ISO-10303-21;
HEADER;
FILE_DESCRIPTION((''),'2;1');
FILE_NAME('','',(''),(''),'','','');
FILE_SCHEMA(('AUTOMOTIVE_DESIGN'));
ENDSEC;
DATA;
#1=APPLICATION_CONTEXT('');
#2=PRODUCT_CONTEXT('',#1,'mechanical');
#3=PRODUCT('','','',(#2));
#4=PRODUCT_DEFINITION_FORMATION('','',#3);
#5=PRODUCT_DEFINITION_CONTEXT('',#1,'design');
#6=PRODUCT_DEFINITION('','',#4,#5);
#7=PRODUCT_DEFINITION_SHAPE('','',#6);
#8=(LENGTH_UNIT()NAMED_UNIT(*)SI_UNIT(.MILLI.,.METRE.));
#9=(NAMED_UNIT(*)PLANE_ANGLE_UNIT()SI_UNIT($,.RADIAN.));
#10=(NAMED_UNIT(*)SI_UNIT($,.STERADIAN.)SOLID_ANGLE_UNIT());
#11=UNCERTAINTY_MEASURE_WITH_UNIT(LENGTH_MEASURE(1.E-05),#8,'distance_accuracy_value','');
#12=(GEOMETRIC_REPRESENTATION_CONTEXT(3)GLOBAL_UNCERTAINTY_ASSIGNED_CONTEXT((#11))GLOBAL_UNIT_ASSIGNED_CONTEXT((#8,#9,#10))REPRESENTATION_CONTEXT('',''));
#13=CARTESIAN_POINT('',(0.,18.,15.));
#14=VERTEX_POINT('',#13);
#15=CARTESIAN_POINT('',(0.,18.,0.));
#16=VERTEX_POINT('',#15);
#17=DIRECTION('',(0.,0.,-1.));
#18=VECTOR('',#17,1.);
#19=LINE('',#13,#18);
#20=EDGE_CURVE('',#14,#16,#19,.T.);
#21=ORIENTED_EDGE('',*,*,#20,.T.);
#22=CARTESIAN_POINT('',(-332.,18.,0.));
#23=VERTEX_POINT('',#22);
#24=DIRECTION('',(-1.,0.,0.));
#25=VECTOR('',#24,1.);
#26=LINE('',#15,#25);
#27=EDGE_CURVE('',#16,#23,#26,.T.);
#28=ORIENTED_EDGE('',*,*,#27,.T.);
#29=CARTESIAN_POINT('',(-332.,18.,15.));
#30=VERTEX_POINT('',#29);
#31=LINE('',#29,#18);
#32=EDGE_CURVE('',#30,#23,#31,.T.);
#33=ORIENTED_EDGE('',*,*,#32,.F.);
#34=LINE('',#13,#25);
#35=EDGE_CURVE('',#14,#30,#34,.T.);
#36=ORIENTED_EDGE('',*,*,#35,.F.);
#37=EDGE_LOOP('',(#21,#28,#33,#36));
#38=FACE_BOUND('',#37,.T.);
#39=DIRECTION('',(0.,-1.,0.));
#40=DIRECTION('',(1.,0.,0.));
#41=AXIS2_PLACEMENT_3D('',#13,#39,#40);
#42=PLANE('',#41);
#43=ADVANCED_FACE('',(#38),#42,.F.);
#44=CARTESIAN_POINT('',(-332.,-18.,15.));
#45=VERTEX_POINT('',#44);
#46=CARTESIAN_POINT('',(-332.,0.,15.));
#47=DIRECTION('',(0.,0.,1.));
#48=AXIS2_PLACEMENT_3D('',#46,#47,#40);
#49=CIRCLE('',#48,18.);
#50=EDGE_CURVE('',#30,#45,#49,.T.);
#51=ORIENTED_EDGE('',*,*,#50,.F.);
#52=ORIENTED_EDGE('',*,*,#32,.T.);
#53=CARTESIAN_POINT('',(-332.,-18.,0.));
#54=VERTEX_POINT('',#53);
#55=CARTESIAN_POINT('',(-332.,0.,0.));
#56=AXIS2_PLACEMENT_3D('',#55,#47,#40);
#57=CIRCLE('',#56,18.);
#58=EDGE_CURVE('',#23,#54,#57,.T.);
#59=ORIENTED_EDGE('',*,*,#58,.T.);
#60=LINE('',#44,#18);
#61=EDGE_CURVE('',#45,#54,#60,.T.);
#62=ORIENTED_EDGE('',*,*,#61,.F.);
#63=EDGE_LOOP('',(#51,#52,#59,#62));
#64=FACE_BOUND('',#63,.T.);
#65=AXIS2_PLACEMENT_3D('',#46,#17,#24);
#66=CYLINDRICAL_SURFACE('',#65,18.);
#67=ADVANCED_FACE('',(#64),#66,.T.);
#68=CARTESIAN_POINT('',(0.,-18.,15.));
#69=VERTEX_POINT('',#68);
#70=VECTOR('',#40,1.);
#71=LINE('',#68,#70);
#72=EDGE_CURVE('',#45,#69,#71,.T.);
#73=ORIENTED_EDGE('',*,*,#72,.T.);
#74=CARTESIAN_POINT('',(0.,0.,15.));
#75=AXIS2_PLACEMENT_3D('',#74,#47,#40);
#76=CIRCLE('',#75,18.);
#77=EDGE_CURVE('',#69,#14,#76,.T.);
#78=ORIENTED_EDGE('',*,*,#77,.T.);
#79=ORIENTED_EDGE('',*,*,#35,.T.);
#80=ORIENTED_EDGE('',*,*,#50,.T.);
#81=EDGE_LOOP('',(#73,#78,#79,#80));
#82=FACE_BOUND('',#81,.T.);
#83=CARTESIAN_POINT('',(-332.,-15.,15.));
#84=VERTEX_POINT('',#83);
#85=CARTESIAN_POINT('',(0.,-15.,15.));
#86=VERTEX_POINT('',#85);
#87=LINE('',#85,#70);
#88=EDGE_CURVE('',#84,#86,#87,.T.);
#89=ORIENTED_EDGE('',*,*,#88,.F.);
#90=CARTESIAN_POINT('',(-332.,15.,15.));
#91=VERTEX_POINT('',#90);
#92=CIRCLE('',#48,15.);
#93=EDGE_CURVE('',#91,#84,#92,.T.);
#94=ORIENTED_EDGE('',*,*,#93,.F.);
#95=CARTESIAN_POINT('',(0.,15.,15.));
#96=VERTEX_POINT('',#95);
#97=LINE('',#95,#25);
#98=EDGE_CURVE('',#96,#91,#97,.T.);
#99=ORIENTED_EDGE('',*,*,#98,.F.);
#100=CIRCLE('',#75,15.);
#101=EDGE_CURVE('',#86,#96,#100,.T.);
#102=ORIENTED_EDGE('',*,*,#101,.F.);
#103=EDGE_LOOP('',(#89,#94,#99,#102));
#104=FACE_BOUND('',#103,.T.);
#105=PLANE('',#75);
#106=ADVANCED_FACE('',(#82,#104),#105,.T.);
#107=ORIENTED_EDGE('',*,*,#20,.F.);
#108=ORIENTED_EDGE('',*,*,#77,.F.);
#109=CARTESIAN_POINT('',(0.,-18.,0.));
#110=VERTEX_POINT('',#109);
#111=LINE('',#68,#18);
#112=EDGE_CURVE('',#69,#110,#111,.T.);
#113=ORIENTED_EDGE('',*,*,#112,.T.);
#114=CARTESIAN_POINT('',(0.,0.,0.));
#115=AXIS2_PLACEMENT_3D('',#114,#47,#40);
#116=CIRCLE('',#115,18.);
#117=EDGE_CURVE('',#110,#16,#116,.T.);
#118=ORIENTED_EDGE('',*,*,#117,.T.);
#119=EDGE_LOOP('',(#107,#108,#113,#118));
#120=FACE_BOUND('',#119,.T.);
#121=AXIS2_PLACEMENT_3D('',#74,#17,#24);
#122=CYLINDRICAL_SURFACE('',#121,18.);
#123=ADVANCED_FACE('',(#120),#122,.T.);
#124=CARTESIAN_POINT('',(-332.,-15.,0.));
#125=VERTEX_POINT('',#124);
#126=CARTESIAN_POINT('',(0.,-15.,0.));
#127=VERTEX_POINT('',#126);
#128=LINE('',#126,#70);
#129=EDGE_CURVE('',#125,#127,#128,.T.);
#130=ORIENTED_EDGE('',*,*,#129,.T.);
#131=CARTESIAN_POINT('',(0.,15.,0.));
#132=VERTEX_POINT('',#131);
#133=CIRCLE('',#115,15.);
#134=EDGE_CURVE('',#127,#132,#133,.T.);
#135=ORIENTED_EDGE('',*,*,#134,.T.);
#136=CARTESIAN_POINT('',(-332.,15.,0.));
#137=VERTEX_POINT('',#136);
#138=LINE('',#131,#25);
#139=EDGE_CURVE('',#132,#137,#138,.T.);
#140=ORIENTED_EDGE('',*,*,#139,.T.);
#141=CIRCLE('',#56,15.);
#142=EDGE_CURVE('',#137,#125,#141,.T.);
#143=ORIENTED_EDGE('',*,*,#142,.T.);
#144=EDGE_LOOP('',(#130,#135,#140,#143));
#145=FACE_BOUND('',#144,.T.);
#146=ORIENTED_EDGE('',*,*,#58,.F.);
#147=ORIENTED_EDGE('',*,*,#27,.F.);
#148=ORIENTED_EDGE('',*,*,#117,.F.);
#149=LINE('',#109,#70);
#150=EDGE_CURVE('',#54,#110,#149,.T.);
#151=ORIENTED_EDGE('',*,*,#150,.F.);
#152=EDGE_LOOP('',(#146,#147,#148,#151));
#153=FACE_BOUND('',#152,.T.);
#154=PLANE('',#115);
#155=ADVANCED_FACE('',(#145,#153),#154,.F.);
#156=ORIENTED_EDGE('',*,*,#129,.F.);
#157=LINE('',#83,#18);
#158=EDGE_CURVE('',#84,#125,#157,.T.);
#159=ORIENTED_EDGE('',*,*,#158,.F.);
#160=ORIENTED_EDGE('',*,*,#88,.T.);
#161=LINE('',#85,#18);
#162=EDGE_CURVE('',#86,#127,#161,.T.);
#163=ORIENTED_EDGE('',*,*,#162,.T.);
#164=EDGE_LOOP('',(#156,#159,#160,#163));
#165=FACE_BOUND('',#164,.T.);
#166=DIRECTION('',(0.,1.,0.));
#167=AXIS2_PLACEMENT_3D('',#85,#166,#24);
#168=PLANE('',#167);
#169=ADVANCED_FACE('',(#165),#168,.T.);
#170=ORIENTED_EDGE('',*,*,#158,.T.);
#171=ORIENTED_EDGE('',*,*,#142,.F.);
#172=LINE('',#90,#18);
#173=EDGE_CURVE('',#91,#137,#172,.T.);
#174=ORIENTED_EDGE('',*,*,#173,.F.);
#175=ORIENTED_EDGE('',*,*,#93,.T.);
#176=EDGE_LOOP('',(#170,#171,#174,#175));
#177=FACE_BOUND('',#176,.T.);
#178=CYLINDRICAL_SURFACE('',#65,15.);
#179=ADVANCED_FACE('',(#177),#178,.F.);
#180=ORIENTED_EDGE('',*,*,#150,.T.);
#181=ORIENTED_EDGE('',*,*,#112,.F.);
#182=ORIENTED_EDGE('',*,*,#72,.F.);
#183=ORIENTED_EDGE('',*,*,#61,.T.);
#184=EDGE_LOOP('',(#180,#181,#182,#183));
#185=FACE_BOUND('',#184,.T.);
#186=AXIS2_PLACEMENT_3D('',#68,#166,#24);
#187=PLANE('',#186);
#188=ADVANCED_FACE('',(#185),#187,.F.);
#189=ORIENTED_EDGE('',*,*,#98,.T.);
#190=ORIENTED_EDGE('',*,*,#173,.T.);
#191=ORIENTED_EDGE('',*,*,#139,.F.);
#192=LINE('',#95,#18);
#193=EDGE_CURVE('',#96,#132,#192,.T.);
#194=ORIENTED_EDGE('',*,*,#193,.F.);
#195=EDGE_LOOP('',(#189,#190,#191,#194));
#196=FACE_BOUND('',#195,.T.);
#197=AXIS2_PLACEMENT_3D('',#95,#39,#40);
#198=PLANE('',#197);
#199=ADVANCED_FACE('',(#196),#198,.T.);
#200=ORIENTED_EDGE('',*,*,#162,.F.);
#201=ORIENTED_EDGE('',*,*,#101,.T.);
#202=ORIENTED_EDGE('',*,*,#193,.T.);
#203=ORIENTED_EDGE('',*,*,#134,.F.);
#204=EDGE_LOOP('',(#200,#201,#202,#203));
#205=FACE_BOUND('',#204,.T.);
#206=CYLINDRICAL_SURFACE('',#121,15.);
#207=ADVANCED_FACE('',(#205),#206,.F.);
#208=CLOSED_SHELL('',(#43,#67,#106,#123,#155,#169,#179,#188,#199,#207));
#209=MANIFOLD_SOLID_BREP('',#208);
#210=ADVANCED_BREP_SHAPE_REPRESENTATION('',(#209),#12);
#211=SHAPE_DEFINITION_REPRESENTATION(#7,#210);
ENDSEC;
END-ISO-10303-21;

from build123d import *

# Parameters (mm, degrees)
EXTRUDE_1_DEPTH = 15


with BuildPart() as part:
    # 草图1 → 凸台-拉伸1 (new body)
    with BuildSketch(Plane.XY):
        with BuildLine():
            Line((0, -18), (-332, -18))
            ThreePointArc((-332, -18), (-350, 0), (-332, 18))
            Line((-332, 18), (0, 18))
            ThreePointArc((0, 18), (18, 0), (0, -18))
        make_face()
        with BuildLine():
            Line((0, -15), (-332, -15))
            ThreePointArc((-332, -15), (-347, 0), (-332, 15))
            Line((-332, 15), (0, 15))
            ThreePointArc((0, 15), (15, 0), (0, -15))
        make_face(mode=Mode.SUBTRACT)
    extrude(amount=EXTRUDE_1_DEPTH)


solid = part.part
